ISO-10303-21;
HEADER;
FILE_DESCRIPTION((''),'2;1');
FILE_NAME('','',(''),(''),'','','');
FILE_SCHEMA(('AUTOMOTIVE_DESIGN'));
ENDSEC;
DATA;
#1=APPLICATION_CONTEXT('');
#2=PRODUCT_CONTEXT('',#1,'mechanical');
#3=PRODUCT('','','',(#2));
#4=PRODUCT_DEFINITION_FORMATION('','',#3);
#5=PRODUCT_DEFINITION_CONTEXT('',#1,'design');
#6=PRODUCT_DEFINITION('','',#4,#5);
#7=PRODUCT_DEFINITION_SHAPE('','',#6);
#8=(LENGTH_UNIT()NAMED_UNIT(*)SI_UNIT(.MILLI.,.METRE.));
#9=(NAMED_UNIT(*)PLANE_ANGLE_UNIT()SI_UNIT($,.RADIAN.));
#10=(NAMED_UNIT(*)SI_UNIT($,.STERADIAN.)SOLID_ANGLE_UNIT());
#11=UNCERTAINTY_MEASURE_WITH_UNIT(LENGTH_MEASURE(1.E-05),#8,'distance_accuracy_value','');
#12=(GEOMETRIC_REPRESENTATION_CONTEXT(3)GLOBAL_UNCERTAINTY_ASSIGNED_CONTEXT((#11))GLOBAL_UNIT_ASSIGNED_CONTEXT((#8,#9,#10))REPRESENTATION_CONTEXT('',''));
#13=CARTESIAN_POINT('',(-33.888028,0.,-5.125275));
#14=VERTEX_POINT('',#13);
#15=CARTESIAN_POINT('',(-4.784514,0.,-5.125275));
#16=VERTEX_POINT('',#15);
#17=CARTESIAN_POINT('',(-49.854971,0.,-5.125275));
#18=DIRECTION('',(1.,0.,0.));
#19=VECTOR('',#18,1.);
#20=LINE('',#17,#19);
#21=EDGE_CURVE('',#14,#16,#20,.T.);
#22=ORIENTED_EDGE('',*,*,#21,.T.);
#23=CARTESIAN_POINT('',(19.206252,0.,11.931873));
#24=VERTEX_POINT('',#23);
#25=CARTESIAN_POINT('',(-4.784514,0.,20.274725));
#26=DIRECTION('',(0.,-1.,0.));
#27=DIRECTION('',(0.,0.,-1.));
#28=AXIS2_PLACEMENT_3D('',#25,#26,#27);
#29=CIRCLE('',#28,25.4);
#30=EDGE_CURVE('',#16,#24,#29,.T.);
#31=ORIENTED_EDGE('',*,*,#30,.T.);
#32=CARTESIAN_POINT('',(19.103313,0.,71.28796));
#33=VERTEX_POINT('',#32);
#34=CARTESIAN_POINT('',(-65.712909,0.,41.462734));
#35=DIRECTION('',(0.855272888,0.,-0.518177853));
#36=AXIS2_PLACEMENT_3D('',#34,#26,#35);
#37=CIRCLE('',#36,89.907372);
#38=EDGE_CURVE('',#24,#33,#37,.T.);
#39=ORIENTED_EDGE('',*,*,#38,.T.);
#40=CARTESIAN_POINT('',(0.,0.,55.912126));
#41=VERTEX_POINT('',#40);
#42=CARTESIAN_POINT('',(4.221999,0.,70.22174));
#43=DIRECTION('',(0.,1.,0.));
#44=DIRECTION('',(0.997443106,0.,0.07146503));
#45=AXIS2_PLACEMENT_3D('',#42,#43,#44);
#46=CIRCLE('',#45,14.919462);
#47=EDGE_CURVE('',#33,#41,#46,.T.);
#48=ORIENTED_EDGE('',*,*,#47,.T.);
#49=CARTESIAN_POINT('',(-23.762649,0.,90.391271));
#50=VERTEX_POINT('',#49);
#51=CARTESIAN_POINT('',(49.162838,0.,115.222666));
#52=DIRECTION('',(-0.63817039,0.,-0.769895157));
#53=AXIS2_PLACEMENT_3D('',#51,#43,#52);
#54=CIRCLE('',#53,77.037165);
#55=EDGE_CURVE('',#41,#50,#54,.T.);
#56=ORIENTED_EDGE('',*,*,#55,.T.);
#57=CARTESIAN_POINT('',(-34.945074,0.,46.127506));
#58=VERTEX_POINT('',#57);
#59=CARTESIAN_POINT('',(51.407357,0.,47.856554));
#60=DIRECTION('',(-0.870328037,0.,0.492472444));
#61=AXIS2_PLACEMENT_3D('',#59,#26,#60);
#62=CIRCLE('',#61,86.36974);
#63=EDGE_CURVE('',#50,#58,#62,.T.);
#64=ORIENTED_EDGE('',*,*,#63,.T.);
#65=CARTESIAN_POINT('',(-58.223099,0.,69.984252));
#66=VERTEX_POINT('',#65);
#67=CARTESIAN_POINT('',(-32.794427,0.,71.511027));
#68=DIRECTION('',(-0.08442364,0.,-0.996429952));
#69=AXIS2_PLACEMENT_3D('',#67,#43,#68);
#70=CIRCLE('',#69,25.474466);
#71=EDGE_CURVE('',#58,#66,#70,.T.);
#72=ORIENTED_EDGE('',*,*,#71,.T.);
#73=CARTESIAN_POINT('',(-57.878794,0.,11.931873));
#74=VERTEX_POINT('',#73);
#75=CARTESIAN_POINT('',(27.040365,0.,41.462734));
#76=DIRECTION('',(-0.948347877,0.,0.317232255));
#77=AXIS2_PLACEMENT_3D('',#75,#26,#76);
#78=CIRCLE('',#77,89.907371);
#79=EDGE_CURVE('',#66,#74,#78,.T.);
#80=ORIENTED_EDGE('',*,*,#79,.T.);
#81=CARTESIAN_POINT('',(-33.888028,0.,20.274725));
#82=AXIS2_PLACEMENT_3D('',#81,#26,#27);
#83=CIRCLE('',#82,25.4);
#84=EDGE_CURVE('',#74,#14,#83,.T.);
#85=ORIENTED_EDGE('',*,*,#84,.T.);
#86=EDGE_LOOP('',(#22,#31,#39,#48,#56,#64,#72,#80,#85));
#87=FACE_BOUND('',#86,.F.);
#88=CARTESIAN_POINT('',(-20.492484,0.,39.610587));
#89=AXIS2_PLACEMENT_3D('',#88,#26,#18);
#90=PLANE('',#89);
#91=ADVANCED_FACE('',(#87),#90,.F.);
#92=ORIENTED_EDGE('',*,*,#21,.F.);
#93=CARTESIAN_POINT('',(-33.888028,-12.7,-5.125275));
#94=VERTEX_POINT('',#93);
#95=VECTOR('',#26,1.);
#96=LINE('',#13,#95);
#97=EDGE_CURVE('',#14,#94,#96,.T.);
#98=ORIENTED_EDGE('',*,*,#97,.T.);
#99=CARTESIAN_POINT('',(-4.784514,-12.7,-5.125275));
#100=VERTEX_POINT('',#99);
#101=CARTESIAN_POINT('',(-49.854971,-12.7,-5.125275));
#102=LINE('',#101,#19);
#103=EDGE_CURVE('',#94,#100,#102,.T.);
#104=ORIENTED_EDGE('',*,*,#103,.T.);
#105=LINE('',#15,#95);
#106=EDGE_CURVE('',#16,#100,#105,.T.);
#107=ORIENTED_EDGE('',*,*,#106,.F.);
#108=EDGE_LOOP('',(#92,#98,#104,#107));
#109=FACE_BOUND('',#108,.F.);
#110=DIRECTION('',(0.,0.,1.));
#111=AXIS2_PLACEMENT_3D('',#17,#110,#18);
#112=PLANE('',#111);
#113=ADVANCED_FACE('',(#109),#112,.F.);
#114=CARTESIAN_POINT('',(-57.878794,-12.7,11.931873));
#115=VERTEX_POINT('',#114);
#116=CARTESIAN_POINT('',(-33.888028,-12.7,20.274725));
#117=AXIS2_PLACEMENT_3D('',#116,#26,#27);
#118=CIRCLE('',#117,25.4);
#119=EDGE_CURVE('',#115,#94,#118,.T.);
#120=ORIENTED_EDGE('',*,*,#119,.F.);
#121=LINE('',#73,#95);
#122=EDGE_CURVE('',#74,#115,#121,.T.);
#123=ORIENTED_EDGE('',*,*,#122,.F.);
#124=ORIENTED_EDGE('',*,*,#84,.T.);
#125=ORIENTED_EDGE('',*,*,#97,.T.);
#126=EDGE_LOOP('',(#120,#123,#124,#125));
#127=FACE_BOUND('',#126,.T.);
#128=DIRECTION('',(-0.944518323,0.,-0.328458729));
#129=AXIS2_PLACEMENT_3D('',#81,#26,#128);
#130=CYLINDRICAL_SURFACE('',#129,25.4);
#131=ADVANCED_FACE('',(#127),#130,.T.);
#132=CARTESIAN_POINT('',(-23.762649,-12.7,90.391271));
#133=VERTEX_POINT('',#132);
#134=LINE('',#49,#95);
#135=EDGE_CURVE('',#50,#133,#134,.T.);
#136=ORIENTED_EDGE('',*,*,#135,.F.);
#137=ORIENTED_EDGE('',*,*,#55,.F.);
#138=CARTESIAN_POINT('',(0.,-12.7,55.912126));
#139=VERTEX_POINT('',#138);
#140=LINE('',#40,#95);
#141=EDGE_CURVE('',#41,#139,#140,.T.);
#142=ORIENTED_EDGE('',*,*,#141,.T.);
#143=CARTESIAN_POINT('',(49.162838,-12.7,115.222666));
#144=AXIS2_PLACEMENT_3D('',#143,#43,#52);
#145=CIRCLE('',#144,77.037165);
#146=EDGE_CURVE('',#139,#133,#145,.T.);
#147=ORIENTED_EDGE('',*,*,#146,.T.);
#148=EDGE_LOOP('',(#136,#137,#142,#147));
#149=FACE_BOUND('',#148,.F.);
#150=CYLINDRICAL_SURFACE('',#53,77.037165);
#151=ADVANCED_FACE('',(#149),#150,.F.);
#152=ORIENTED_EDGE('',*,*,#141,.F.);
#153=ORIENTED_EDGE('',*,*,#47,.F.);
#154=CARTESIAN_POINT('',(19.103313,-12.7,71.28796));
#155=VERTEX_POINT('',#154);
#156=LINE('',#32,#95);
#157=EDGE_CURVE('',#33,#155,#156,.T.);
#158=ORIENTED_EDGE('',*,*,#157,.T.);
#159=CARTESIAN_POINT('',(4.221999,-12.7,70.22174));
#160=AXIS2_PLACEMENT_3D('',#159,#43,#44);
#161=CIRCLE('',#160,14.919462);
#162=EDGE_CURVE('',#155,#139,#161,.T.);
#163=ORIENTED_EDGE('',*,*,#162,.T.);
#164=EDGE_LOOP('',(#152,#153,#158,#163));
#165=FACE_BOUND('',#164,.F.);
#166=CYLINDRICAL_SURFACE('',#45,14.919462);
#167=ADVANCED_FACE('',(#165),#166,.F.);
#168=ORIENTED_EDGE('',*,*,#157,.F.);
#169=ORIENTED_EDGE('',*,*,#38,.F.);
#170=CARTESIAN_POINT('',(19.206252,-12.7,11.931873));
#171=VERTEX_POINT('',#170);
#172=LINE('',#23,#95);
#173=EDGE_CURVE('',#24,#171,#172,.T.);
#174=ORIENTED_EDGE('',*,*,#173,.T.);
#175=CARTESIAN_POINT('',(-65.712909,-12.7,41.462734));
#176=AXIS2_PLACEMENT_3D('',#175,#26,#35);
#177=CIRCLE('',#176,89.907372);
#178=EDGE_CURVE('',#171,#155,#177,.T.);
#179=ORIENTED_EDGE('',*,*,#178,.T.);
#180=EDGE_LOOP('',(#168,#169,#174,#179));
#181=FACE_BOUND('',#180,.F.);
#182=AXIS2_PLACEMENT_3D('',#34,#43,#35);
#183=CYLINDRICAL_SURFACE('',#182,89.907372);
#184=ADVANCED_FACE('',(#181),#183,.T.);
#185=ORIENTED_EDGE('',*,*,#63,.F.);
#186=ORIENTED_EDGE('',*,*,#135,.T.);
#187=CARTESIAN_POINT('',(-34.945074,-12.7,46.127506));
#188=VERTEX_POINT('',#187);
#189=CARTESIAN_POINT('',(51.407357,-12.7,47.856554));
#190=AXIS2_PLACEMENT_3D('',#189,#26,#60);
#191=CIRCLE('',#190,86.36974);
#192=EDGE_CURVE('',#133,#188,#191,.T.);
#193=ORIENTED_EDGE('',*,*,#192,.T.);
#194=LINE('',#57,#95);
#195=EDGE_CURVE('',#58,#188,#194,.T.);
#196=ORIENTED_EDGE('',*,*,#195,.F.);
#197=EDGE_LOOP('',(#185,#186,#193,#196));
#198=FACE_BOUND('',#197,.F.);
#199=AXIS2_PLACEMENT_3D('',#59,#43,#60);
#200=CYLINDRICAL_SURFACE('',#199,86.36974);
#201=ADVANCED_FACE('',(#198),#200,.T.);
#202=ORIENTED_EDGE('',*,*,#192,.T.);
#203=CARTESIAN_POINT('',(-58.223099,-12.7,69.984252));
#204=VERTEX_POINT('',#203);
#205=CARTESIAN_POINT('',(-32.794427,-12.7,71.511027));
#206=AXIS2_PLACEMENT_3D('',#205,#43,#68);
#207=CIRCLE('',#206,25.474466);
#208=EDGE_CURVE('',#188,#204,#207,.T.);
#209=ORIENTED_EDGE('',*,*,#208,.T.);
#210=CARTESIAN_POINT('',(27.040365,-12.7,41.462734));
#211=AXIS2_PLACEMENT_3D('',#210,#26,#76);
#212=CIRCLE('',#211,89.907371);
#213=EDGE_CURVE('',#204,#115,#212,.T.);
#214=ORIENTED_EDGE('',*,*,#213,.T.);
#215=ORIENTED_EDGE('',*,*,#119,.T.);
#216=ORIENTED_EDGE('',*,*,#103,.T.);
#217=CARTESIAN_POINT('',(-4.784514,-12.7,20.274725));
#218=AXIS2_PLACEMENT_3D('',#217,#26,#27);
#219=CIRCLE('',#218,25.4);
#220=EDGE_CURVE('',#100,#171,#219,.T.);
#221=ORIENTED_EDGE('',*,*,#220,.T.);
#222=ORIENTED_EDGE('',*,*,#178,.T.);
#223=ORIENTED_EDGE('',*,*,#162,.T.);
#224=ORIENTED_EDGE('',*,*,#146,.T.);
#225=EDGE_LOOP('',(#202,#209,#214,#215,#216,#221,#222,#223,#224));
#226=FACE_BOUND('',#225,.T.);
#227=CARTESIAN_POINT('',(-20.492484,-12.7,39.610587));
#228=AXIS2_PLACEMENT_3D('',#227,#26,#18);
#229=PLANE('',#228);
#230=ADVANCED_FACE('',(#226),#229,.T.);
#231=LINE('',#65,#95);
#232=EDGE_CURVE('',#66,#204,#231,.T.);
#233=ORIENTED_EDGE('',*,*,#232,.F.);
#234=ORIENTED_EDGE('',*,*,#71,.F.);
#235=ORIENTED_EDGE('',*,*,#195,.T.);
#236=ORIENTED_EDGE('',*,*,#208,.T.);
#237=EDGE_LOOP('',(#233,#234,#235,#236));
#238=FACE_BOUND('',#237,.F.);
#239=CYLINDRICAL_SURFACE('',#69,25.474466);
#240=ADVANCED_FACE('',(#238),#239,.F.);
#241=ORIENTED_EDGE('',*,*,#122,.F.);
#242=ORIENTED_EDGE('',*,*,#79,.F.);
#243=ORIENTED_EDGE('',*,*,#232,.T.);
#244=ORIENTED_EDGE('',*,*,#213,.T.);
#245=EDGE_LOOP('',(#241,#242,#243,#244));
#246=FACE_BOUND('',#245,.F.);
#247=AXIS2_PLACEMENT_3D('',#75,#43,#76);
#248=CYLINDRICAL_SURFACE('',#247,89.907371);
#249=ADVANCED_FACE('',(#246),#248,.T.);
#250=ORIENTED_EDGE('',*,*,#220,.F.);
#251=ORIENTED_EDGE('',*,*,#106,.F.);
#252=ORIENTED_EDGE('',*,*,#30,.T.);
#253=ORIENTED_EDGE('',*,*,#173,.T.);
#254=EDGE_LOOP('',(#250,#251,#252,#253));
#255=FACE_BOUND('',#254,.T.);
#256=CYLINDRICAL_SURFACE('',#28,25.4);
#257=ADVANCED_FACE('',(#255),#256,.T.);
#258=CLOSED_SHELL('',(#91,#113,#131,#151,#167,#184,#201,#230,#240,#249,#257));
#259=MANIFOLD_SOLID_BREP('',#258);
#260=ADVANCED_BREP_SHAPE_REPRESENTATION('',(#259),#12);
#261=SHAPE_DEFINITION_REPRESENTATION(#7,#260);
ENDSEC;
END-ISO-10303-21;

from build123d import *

# Parameters (mm, degrees)
F1_DEPTH = 12.7
F2_R     = 25.4
F3_R     = 25.4


with BuildPart() as f1:
    # F0 (on Front) → F1 (new body)
    with BuildSketch(Plane.XZ):
        with BuildLine():
            ThreePointArc((-34.945074, 46.127506), (-51.027386, 53.720366), (-58.223099, 69.984252))
            ThreePointArc((-58.223099, 69.984252), (-62.31415, 31.507538), (-49.854971, -5.125275))
            Line((-49.854971, -5.125275), (11.182429, -5.125275))
            ThreePointArc((11.182429, -5.125275), (23.71529, 32.192738), (19.103313, 71.28796))
            ThreePointArc((19.103313, 71.28796), (13.57664, 58.599304), (0, 55.912126))
            ThreePointArc((0, 55.912126), (-14.268957, 71.506168), (-23.762649, 90.391271))
            ThreePointArc((-23.762649, 90.391271), (-32.331491, 69.011631), (-34.945074, 46.127506))
        make_face()
    extrude(amount=F1_DEPTH)

    # F2
    f2_edges = [f1.edges().sort_by_distance(p)[0] for p in [
        (-49.854971, -6.35, -5.125275),
    ]]
    fillet(f2_edges, radius=F2_R)

    # F3
    f3_edges = [f1.edges().sort_by_distance(p)[0] for p in [
        (11.182429, -6.35, -5.125275),
    ]]
    fillet(f3_edges, radius=F3_R)


solid = f1.part
